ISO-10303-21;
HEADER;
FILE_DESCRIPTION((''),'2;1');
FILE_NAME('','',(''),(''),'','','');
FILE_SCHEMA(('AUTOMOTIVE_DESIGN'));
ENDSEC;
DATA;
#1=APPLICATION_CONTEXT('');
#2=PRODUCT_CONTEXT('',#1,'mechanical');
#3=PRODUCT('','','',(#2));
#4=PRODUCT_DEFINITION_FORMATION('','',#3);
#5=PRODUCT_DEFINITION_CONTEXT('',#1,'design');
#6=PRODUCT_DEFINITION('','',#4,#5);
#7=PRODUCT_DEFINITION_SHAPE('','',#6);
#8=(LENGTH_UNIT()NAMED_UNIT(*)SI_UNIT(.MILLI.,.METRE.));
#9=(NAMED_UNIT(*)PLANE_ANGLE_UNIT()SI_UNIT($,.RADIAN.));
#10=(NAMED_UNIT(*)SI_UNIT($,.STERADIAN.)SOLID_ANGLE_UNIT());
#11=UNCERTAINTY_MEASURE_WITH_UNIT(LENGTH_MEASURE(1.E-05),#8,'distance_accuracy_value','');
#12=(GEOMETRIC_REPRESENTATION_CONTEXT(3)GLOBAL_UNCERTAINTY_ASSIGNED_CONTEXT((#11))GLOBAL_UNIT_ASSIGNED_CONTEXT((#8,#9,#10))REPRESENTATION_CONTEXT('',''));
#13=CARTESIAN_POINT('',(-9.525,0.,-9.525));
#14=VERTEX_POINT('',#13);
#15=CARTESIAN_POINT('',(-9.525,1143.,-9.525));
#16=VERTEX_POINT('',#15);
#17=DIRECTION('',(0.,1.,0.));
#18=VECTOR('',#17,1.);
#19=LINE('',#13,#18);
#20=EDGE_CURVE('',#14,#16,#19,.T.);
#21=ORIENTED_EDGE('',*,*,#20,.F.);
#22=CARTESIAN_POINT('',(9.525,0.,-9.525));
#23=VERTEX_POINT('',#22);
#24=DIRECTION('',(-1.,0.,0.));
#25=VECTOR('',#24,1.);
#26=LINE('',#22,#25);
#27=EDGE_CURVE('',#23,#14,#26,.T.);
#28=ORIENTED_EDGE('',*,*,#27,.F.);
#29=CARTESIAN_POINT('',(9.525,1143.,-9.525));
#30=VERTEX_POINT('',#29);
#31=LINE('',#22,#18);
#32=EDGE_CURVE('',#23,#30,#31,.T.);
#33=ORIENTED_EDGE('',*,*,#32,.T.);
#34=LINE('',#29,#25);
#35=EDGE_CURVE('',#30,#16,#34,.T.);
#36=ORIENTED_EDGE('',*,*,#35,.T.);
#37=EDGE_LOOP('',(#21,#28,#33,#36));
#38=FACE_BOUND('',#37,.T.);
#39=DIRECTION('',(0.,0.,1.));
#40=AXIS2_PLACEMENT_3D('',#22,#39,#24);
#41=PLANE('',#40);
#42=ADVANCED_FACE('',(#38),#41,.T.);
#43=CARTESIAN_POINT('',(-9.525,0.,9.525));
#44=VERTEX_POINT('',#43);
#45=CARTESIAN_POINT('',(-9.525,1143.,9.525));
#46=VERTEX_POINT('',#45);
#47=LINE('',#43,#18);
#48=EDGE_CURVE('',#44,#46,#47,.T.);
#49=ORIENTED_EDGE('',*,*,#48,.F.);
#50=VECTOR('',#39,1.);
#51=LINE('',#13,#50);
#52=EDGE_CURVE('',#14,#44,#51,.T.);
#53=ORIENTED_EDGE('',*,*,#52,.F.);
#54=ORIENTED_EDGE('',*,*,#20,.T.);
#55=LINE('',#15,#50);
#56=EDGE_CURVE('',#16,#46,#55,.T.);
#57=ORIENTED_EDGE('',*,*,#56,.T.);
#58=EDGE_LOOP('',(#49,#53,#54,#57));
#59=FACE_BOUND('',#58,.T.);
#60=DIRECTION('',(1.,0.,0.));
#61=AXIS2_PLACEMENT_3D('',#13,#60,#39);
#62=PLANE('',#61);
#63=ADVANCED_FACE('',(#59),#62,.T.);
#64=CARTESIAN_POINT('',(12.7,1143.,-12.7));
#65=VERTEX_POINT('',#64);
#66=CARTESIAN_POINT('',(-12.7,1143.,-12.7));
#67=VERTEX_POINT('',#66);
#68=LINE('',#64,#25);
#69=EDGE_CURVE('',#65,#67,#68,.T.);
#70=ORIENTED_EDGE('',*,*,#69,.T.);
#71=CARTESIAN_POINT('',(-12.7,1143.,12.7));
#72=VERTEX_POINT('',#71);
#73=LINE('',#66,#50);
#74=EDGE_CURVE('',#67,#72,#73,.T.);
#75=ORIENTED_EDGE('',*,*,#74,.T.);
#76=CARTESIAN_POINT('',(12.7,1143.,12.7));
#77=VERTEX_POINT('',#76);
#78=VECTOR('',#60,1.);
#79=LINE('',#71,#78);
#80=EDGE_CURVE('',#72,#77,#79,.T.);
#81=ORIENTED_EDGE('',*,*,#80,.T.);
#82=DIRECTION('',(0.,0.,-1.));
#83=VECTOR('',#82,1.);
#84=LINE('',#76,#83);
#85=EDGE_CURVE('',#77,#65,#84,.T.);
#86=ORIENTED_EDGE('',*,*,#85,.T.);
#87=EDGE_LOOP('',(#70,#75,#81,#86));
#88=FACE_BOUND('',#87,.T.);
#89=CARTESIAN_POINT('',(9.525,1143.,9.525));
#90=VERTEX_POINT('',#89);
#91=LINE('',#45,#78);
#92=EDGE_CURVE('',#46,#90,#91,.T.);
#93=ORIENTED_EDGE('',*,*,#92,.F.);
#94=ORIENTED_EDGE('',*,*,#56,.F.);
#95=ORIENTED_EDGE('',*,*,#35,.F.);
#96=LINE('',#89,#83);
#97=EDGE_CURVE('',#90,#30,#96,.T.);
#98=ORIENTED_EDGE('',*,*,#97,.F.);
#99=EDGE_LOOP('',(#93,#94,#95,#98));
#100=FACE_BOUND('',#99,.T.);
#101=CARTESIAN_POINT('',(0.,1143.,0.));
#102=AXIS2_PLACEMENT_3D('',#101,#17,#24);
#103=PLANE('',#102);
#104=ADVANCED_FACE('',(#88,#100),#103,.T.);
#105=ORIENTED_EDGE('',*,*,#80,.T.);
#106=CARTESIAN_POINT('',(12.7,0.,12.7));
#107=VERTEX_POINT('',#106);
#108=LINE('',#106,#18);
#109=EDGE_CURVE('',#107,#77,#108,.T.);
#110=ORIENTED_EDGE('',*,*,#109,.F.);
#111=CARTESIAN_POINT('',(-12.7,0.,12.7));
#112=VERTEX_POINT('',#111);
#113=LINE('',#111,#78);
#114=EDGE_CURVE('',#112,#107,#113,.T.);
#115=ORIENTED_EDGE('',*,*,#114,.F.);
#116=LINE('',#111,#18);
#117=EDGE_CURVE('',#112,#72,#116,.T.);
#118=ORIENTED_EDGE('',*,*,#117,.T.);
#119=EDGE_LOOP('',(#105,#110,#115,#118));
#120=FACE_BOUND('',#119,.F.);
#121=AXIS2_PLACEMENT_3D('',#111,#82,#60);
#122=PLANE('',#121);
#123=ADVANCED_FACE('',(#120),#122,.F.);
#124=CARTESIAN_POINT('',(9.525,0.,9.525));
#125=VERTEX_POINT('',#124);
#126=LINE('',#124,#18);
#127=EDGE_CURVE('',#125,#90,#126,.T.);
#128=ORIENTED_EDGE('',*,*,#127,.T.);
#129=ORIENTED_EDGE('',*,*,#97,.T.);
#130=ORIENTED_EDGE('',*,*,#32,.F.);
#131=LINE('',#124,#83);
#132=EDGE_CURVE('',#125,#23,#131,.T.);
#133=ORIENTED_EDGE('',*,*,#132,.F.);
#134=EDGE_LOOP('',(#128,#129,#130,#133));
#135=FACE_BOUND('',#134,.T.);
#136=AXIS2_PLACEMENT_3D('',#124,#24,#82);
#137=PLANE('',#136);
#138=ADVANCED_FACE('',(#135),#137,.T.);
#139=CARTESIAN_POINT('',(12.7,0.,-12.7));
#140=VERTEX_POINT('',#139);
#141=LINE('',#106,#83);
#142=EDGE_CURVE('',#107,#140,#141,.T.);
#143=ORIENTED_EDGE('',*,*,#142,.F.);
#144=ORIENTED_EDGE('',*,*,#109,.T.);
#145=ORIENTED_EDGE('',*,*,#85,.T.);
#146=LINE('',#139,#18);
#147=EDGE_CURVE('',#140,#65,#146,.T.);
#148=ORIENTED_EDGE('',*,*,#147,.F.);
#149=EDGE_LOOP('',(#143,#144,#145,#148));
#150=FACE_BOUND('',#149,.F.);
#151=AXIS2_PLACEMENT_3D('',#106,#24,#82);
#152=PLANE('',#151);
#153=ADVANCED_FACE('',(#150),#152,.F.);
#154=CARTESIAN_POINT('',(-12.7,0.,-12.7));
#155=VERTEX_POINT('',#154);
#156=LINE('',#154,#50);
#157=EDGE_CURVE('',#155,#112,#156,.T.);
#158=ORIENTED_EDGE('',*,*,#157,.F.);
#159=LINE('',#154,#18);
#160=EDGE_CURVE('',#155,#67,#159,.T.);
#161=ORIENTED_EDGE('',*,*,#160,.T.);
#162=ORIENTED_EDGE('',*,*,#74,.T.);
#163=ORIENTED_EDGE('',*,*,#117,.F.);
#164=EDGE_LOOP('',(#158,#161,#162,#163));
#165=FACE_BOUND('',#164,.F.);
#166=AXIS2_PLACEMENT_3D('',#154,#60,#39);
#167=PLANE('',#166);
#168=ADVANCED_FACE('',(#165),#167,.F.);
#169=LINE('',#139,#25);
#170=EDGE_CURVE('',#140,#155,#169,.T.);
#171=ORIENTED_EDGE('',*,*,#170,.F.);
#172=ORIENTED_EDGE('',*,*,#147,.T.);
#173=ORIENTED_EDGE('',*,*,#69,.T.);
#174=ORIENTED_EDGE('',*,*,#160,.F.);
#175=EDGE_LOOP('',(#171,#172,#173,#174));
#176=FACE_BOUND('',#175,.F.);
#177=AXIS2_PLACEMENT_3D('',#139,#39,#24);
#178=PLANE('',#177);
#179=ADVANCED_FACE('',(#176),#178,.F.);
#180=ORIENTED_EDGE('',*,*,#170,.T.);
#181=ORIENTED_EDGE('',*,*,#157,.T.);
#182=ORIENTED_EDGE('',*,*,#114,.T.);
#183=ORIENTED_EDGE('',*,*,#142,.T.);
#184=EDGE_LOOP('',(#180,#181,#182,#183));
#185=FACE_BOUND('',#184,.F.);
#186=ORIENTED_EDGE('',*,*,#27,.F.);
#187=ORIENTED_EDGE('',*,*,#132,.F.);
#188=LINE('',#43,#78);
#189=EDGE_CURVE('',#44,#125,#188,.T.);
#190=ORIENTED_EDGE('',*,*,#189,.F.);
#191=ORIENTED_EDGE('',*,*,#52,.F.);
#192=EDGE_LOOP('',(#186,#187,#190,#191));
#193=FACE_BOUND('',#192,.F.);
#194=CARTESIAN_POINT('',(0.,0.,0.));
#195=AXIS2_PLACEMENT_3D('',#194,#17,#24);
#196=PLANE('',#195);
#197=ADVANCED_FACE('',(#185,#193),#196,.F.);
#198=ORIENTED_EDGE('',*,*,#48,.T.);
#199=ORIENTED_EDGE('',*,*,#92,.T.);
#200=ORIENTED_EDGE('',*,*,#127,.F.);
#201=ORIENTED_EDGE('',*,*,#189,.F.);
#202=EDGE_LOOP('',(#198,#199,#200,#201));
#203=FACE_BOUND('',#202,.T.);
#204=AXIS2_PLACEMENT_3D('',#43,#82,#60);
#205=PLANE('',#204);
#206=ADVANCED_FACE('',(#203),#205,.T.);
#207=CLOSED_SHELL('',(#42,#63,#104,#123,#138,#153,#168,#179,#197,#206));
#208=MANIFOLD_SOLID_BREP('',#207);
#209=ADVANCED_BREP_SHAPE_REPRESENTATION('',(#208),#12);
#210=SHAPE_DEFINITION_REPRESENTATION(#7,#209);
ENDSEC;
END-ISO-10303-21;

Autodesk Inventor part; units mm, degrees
ref_plane "YZ Plane" through (0, 0, 0) normal (1, 0, 0) x (0, 1, 0)
ref_plane "XY Plane" through (0, 0, 0) normal (0, 0, 1) x (1, 0, 0)
sketch "Sketch1" plane through (0, 0, 0) normal (0, 1, 0) x (-1, 0, 0)
  line L0 (12.7, 12.7) -> (-12.7, 12.7)
  line L1 (-12.7, 12.7) -> (-12.7, -12.7)
  line L2 (-12.7, -12.7) -> (12.7, -12.7)
  line L3 (12.7, -12.7) -> (12.7, 12.7)
  line L4 (12.7, 12.7) -> (-12.7, -12.7) construction
  line L5 (-12.7, 12.7) -> (12.7, -12.7) construction
  line L6 (9.525, 9.525) -> (-9.525, 9.525)
  line L7 (-9.525, 9.525) -> (-9.525, -9.525)
  line L8 (-9.525, -9.525) -> (9.525, -9.525)
  line L9 (9.525, -9.525) -> (9.525, 9.525)
  line L10 (9.525, 9.525) -> (-9.525, -9.525) construction
  line L11 (-9.525, 9.525) -> (9.525, -9.525) construction
  point P0 (0, 0)
  dimension "d0" = 25.4
  dimension "d1" = 3.175
extrude "Extrusion1" add sketch "Sketch1" along normal blind 1143
sketch "Sketch2" plane through (-12.7, 0, -12.7) normal (-1, 0, 0) x (0, 0, 1)
  point P0 (12.7, 0)
equation "\"d0\" = tubeSize"
equation "\"d1\" = tubeThickness"
equation "\"d2\" = tubeLength"
equation "\"tubeSize\" = 25.4"
equation "\"tubeThickness\" = 3.175"
equation "\"tubeLength\" = 1143"
properties part number "1_000_inchSquareTube" material "Aluminum 6061"
